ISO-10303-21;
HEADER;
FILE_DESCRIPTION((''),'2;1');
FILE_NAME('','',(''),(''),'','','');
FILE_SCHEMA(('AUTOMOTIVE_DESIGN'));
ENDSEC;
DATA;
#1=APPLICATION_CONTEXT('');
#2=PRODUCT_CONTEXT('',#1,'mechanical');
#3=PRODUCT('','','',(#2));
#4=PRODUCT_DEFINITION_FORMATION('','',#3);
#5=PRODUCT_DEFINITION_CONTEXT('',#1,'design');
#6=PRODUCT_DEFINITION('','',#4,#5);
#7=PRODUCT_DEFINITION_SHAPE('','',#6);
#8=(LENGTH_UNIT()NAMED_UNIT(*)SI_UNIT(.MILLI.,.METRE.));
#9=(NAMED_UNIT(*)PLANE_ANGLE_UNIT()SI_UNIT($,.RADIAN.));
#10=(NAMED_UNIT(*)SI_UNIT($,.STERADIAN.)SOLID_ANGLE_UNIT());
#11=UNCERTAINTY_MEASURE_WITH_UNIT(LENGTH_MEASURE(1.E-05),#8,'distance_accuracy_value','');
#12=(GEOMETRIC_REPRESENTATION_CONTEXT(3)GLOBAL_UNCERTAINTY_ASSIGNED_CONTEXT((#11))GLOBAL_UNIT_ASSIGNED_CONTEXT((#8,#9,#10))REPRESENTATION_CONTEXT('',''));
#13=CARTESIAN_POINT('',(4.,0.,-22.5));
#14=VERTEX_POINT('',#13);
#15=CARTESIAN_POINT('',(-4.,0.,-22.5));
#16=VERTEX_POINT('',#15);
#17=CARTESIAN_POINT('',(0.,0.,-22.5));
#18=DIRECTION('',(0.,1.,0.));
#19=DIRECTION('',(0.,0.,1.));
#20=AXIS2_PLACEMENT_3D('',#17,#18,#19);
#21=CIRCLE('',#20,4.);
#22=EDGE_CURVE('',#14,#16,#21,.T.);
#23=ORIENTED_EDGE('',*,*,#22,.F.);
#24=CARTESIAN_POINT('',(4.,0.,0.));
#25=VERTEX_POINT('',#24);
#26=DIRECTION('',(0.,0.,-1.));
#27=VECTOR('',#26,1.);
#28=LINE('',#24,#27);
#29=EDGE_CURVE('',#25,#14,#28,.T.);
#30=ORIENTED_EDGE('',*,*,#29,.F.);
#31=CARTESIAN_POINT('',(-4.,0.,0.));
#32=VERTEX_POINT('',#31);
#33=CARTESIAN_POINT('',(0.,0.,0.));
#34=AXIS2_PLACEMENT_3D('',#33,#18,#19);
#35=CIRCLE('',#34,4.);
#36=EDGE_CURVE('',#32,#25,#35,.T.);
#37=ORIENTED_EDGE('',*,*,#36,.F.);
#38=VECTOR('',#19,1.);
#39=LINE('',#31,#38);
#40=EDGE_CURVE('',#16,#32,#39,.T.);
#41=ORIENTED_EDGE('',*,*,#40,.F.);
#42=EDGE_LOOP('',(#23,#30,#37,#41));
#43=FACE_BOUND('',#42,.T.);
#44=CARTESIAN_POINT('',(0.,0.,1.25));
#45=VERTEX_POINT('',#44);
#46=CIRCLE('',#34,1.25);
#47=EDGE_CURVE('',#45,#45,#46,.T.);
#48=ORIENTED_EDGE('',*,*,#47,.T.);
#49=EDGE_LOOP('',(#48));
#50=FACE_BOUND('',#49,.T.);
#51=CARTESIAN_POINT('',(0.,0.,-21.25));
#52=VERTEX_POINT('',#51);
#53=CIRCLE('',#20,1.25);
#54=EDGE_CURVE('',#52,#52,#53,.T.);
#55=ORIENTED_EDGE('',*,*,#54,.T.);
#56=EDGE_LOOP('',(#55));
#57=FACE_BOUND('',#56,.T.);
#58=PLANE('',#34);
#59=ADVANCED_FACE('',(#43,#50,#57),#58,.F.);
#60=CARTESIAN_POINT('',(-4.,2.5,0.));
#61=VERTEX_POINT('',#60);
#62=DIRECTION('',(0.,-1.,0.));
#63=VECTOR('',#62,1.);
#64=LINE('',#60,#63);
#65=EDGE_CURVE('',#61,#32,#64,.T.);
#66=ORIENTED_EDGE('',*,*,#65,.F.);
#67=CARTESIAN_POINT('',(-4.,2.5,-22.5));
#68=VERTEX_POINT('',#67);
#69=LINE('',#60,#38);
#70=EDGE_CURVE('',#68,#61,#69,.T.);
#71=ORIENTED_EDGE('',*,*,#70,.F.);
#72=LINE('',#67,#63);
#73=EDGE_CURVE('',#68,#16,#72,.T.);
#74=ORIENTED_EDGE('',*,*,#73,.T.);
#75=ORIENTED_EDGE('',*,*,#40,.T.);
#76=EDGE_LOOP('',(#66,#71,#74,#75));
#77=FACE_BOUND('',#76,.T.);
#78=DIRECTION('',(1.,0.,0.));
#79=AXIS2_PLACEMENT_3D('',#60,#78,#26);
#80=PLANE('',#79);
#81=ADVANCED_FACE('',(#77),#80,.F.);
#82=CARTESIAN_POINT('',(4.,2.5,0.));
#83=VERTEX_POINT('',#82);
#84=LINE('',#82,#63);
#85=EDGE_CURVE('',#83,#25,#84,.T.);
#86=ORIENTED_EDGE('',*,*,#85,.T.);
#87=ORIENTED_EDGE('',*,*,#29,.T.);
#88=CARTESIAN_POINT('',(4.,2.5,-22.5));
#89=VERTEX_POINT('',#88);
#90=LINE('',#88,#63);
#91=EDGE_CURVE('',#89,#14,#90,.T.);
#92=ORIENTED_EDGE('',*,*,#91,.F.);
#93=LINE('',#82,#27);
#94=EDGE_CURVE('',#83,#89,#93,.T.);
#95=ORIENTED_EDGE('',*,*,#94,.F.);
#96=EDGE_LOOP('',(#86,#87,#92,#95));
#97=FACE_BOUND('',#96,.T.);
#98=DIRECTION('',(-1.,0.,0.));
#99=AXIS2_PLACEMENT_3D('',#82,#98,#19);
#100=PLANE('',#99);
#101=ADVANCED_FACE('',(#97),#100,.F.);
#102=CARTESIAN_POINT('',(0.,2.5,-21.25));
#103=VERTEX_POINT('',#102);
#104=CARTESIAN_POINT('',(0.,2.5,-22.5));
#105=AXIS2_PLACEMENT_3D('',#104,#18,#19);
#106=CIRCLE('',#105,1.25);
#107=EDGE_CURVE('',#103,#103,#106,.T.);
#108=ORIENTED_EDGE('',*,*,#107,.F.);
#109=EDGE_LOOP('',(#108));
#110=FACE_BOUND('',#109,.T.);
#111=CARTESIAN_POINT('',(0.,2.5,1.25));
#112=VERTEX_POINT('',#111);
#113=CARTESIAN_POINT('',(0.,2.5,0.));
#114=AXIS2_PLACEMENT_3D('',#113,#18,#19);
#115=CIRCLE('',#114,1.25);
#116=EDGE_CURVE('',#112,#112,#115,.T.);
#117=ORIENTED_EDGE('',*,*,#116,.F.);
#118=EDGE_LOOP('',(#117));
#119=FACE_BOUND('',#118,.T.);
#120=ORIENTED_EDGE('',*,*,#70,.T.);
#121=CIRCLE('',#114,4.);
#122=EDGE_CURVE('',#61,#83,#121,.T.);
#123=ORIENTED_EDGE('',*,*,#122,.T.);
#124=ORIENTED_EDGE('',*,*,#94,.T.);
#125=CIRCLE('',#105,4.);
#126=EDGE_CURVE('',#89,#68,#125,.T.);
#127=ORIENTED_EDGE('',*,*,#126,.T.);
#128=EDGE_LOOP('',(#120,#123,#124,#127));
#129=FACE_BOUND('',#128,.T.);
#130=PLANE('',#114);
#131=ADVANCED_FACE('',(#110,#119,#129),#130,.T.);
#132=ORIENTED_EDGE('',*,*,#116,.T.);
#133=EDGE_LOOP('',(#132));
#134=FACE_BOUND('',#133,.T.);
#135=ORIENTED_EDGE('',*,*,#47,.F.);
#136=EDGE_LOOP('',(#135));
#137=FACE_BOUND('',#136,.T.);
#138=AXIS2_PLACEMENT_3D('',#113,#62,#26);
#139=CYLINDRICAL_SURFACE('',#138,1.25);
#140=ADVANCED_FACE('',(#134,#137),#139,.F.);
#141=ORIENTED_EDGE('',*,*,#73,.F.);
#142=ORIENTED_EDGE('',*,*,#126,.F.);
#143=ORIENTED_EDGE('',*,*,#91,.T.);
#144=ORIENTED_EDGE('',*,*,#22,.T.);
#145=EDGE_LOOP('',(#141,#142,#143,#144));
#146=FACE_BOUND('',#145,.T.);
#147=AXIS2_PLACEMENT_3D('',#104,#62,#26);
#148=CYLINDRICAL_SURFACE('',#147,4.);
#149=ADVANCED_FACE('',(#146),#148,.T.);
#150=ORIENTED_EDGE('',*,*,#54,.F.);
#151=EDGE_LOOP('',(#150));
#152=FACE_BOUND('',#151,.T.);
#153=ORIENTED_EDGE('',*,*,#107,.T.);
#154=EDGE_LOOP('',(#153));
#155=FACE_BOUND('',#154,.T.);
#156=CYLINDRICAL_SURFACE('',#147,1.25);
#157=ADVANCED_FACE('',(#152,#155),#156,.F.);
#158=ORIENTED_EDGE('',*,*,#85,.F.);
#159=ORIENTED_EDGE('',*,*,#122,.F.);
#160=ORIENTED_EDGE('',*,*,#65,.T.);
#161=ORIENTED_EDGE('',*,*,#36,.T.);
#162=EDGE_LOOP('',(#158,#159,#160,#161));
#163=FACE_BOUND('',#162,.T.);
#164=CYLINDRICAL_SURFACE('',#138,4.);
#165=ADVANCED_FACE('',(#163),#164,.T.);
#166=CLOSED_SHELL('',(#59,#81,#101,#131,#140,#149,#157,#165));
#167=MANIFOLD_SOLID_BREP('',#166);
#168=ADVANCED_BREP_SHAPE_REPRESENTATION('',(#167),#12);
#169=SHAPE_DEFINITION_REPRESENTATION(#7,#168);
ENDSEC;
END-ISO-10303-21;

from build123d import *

# Parameters (mm, degrees)
SKETCH1_R           = 1.25
BOSS_EXTRUDE1_DEPTH = 2.5


with BuildPart() as part:
    # Sketch1 → Boss-Extrude1 (new body)
    with BuildSketch(Plane(origin=(0, 0, 0), x_dir=(1, 0, 0), z_dir=(0, 1, 0))):
        with BuildLine():
            Line((-4, 0), (-4, 22.5))
            ThreePointArc((-4, 22.5), (0, 26.5), (4, 22.5))
            Line((4, 22.5), (4, 0))
            ThreePointArc((4, 0), (0, -4), (-4, 0))
        make_face()
        with Locations((0, 22.5)):
            Circle(SKETCH1_R, mode=Mode.SUBTRACT)
        Circle(SKETCH1_R, mode=Mode.SUBTRACT)
    extrude(amount=BOSS_EXTRUDE1_DEPTH)


solid = part.part
